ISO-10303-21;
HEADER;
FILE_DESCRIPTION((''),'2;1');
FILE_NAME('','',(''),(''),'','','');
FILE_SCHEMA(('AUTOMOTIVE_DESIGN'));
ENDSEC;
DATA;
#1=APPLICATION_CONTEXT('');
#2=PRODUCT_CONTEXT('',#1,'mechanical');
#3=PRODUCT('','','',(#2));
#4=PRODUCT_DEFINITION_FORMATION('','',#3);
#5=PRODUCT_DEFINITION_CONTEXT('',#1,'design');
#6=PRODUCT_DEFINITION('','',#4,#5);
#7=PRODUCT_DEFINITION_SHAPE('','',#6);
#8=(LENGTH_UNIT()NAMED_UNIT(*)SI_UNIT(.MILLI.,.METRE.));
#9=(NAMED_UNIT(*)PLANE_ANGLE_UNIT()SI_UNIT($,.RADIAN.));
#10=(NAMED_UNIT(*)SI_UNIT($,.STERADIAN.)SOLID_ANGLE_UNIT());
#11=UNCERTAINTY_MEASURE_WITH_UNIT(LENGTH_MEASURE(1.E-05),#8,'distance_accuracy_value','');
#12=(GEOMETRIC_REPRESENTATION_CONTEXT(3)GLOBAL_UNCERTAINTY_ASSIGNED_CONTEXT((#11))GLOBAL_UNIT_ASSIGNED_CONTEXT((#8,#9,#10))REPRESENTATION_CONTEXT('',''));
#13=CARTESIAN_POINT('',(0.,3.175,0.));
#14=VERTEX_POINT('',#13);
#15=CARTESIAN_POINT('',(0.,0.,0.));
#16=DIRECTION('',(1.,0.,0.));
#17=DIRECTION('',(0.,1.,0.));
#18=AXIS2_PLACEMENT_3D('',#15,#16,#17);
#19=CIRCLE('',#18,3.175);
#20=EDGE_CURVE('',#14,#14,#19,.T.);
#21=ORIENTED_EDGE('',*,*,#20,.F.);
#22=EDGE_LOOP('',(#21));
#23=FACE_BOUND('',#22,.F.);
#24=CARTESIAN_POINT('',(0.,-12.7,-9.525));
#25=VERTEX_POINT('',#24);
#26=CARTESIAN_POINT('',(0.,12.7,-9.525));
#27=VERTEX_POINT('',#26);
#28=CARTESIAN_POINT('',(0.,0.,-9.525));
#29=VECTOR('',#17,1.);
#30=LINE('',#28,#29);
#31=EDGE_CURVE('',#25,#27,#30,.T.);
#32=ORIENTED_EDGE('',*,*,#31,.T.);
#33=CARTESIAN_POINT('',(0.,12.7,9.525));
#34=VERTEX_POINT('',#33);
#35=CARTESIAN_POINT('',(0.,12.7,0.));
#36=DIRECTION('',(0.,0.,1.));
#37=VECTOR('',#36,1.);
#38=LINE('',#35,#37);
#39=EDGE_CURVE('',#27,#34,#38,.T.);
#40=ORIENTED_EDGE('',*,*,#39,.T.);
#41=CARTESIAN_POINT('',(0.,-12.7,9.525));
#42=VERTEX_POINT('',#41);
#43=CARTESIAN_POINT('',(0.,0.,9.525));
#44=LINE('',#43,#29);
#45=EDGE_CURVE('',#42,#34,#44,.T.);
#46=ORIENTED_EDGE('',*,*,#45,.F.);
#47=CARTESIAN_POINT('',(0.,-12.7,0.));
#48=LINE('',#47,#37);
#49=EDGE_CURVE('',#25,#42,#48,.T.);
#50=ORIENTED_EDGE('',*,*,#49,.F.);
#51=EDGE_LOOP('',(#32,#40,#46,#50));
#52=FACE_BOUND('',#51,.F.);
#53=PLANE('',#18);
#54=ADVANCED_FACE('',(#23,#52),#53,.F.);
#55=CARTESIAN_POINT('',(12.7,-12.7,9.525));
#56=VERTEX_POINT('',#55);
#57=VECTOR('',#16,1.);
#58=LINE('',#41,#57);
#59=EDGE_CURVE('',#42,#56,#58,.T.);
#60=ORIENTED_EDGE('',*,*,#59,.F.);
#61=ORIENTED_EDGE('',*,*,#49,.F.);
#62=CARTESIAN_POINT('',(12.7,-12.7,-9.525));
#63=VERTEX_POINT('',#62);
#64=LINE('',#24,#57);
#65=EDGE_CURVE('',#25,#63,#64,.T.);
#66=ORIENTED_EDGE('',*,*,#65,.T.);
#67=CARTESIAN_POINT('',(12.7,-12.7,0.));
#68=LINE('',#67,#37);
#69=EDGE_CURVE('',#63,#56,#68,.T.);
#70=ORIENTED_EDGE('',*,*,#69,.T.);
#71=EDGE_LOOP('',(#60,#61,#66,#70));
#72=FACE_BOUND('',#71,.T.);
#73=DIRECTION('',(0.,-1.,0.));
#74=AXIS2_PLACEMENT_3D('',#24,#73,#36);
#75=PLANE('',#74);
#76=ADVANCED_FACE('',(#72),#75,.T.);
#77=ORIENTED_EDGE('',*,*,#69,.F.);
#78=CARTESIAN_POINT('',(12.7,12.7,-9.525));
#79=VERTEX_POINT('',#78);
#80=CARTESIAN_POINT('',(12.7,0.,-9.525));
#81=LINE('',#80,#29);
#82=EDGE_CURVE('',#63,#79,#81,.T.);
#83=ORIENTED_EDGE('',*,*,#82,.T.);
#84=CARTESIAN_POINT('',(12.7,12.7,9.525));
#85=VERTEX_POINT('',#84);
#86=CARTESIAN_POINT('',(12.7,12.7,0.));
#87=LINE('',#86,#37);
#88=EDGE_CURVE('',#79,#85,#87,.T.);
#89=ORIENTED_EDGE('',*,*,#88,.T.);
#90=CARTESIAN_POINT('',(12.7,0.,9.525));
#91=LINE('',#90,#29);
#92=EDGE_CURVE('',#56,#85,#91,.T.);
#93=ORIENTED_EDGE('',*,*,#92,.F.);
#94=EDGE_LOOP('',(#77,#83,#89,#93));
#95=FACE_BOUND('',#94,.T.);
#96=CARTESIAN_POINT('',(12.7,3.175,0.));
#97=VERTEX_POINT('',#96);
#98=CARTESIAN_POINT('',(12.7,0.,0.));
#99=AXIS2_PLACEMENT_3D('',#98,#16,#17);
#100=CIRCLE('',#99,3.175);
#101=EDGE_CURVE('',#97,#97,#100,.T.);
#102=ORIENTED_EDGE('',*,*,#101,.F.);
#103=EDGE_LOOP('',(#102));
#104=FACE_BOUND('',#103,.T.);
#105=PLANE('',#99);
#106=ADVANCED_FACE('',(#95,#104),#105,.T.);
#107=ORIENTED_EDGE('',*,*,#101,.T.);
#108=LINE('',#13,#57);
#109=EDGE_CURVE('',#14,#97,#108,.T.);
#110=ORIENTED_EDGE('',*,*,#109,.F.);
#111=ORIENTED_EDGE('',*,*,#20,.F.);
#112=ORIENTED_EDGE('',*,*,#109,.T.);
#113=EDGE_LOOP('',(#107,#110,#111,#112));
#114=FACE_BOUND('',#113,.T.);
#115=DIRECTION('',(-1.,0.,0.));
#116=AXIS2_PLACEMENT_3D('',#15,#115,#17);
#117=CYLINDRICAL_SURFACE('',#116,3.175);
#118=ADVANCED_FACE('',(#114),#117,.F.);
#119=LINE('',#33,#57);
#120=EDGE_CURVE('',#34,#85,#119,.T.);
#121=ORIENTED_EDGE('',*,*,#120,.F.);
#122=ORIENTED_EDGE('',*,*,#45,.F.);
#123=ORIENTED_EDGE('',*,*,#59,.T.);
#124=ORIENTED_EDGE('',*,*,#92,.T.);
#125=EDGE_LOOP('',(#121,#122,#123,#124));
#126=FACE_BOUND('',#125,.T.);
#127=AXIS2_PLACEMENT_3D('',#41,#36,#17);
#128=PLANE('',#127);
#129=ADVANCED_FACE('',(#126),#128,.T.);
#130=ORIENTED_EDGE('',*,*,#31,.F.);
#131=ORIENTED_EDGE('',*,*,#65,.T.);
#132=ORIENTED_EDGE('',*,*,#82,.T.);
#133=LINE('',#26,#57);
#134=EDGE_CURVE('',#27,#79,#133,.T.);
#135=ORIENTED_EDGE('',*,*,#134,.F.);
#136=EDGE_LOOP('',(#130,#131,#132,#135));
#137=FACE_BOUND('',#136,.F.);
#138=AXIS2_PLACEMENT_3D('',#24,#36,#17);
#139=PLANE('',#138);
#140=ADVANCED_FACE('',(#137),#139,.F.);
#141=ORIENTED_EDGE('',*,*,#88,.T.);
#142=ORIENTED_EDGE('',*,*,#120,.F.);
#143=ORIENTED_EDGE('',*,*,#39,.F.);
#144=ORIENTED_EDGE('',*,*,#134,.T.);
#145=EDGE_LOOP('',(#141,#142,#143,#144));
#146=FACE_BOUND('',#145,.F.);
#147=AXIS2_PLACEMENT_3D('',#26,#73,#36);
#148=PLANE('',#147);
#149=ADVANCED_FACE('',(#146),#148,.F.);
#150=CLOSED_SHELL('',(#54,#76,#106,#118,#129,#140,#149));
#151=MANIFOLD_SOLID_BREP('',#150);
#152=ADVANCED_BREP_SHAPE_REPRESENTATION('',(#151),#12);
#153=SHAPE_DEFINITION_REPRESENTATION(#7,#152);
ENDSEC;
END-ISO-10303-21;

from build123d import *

# Parameters (mm, degrees)
F0_W     = 25.4
F0_H     = 19.05
F0_R     = 3.175
F1_DEPTH = 12.7


with BuildPart() as f1:
    # F0 (on Right) → F1 (new body)
    with BuildSketch(Plane.YZ):
        Rectangle(F0_W, F0_H)
        Circle(F0_R, mode=Mode.SUBTRACT)
    extrude(amount=F1_DEPTH)


solid = f1.part
